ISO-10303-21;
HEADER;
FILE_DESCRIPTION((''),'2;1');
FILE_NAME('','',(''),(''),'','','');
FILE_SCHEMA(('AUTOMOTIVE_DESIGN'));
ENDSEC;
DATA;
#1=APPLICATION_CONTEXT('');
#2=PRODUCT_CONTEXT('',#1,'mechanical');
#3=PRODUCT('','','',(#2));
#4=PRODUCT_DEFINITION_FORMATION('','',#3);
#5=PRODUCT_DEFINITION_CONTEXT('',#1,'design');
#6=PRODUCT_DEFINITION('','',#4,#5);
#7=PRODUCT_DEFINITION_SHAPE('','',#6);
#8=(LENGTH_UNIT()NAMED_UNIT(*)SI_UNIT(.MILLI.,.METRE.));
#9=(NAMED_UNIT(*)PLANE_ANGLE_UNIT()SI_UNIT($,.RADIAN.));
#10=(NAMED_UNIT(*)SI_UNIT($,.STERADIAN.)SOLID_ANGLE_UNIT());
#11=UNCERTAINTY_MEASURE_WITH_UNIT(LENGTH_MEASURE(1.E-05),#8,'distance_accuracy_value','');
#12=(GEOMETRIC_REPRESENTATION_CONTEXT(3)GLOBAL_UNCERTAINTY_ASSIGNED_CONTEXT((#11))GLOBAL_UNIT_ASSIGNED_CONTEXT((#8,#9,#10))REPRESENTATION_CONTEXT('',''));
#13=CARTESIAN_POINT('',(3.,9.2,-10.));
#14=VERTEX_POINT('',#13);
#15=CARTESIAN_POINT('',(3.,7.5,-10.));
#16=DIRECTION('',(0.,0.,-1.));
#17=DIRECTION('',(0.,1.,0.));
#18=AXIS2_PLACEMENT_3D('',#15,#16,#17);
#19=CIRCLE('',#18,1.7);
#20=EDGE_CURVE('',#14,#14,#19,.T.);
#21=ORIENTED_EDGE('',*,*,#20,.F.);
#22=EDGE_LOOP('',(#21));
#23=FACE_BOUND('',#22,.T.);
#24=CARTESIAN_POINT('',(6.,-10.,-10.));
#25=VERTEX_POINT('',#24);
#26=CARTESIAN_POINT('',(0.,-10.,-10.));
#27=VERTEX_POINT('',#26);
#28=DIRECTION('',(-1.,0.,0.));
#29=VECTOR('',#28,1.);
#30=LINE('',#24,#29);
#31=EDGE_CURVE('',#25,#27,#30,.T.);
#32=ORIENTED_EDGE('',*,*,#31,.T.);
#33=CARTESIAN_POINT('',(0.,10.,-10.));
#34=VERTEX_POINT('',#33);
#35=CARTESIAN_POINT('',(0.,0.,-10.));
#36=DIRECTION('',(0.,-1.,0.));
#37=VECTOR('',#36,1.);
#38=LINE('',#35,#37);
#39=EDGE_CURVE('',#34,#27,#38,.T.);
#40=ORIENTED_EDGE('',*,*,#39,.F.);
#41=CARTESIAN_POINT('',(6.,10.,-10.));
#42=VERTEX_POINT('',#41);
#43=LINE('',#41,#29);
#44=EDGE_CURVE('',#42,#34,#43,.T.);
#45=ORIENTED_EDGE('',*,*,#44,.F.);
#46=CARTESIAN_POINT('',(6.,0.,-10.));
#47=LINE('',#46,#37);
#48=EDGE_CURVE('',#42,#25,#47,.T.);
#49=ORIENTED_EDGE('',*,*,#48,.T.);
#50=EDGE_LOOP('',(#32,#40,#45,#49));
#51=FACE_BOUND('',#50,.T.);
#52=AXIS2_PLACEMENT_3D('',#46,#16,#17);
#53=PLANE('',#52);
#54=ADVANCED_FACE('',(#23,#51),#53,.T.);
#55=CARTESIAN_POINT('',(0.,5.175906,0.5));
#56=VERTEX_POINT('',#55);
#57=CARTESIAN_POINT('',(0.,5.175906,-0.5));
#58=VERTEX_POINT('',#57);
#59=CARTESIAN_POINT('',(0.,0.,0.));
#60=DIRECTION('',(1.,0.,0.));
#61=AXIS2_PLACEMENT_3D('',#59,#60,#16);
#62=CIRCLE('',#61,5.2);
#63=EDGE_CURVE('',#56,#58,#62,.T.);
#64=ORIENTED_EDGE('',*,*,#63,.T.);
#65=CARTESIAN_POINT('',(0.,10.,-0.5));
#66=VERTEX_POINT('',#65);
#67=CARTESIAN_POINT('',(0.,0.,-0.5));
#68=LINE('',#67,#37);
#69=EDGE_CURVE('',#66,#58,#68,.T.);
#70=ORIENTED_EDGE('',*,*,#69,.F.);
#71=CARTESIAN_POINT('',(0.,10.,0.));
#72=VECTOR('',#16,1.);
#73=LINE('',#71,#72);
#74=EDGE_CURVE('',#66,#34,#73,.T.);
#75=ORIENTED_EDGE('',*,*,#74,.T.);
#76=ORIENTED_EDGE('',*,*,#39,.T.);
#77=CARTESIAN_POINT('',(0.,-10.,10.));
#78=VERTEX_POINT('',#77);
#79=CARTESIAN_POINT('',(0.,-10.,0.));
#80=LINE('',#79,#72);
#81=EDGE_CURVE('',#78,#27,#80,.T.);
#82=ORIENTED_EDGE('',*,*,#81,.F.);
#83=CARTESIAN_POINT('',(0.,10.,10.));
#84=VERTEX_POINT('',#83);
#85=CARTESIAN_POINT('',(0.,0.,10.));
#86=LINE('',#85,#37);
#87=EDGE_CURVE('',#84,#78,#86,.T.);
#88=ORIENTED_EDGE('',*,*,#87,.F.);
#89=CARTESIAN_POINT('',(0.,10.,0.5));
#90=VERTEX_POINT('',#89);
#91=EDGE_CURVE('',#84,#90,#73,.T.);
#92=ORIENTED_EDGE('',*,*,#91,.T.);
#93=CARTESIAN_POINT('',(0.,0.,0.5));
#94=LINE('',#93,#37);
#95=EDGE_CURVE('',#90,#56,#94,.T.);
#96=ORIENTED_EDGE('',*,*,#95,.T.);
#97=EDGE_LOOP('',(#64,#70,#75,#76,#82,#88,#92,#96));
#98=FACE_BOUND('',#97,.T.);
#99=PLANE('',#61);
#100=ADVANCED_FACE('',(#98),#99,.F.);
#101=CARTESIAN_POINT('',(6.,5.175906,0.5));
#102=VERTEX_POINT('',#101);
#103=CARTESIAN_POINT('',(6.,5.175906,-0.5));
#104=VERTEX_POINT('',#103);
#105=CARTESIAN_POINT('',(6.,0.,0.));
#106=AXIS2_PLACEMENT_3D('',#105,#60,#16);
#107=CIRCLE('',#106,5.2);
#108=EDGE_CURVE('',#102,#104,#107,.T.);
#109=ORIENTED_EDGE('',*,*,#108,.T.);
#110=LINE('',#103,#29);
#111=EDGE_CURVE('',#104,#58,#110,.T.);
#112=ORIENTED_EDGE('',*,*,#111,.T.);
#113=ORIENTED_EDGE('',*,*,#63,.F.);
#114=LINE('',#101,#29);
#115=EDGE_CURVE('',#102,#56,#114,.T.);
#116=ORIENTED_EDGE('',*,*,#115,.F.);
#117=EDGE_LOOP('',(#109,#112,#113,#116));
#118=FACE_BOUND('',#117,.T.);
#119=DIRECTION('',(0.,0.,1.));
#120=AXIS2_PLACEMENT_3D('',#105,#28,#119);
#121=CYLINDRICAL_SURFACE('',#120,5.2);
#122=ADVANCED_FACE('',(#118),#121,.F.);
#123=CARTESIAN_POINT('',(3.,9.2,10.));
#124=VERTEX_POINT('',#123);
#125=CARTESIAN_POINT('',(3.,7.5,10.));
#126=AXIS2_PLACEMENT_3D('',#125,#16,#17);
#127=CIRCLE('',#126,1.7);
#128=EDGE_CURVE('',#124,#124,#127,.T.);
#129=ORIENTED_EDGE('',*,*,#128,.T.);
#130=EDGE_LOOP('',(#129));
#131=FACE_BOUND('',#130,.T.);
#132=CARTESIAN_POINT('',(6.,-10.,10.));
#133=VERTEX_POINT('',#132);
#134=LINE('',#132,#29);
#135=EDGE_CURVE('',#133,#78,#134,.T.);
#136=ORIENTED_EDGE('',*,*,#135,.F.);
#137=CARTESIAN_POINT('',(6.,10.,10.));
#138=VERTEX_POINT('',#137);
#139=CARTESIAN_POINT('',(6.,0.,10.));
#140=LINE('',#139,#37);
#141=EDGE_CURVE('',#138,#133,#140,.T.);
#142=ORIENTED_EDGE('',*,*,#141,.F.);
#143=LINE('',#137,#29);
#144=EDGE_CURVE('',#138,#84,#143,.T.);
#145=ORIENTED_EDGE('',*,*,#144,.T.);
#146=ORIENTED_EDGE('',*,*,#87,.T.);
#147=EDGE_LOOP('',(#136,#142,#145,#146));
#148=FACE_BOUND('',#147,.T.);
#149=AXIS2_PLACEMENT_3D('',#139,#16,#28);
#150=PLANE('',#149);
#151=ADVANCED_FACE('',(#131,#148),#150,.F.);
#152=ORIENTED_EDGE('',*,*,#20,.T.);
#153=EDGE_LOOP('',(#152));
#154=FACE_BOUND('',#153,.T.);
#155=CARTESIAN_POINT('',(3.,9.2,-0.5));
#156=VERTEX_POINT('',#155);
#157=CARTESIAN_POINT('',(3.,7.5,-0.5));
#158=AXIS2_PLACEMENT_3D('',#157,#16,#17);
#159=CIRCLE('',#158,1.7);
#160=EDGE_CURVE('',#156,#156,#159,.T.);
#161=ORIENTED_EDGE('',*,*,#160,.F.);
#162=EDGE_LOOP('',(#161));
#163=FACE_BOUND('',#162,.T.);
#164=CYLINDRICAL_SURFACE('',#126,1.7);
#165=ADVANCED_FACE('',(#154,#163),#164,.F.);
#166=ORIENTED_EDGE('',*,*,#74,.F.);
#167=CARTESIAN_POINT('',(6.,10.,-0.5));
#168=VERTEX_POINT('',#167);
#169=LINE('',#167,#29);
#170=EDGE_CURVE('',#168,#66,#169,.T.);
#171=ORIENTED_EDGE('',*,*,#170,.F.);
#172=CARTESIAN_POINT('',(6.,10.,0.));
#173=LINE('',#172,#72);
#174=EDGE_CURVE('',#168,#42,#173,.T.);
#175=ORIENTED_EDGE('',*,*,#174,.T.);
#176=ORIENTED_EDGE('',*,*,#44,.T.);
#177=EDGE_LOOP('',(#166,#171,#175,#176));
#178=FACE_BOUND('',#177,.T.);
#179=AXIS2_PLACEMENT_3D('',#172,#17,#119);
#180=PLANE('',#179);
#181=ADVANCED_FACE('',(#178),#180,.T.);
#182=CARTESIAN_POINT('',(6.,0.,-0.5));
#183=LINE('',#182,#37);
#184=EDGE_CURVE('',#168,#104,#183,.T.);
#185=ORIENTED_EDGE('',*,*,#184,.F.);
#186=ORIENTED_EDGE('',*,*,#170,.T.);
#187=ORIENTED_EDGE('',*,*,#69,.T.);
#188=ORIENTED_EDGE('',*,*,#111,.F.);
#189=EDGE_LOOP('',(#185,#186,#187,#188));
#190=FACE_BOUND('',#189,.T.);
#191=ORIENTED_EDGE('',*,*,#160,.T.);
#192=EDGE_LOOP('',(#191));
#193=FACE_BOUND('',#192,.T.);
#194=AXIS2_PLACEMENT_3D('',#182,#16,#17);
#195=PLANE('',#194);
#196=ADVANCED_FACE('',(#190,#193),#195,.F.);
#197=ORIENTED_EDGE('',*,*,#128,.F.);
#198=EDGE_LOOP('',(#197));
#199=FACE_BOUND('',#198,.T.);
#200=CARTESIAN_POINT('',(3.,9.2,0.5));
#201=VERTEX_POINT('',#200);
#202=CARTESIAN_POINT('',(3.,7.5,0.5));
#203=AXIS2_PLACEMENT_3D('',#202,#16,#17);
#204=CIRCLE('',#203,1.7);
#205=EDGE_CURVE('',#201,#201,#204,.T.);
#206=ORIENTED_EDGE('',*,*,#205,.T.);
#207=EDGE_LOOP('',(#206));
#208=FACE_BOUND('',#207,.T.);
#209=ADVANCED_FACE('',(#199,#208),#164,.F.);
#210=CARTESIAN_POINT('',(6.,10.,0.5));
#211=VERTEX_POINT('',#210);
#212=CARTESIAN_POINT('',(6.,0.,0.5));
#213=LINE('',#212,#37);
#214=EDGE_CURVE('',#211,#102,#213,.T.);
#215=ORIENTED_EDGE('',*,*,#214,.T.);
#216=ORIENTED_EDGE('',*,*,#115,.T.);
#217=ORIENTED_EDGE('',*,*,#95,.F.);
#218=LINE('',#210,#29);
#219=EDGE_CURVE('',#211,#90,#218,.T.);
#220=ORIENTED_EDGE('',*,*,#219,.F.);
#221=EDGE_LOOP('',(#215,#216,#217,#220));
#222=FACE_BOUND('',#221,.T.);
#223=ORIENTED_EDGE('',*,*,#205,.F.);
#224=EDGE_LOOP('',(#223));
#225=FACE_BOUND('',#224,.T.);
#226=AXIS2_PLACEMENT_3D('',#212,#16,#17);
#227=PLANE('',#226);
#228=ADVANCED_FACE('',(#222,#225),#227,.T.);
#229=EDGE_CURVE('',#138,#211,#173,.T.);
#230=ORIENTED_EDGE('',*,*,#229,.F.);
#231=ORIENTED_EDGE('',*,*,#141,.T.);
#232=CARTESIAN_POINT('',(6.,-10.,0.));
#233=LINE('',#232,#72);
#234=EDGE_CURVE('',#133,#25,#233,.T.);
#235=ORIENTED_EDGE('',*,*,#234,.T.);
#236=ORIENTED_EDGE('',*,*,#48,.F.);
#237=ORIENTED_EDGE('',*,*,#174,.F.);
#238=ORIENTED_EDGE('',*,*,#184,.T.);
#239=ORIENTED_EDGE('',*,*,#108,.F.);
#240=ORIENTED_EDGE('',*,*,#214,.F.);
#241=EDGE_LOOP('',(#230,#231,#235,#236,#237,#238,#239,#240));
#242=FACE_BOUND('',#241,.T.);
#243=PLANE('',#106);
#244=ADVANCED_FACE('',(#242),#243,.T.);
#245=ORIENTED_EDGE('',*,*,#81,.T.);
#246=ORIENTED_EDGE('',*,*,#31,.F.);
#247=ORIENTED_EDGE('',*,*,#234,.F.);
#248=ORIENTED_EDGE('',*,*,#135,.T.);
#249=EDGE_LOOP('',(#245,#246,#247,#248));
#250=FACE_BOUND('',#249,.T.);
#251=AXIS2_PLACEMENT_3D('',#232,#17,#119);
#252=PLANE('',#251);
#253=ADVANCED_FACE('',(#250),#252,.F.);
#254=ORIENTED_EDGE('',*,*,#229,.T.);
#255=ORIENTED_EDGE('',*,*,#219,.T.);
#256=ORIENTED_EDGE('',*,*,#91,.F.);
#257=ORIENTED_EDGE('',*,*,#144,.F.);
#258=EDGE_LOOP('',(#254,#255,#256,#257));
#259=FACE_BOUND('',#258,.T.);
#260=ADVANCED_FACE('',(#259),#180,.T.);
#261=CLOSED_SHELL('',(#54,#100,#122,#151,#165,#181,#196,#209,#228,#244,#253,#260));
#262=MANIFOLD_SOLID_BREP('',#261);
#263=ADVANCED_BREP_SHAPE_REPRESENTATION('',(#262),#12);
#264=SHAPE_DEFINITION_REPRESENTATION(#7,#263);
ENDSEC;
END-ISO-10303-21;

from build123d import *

# Parameters (mm, degrees)
BOSS_EXTRUDE1_DEPTH = 6
SKETCH2_R           = 1.7
CUT_EXTRUDE1_DEPTH  = 24.151673806


with BuildPart() as part:
    # Sketch1 → Boss-Extrude1 (new body)
    with BuildSketch(Plane(origin=(0, 0, 0), x_dir=(0, 0, -1), z_dir=(1, 0, 0))):
        with BuildLine():
            Line((-0.5, 5.175905718), (-0.5, 10))
            Line((-0.5, 10), (-10, 10))
            Line((-10, 10), (-10, -10))
            Line((-10, -10), (10, -10))
            Line((10, -10), (10, 10))
            Line((10, 10), (0.5, 10))
            Line((0.5, 10), (0.5, 5.175905718))
            ThreePointArc((0.5, 5.175905718), (3.849675311, 3.495711659), (5.2, 0))
            ThreePointArc((5.2, 0), (-3.495711659, -3.849675311), (-0.5, 5.175905718))
        make_face()
    extrude(amount=BOSS_EXTRUDE1_DEPTH)

    # Sketch2 → Cut-Extrude1 (cut, through all)
    with BuildSketch(Plane(origin=(0, 0, -10), x_dir=(-1, 0, 0), z_dir=(0, 0, -1))):
        with Locations(Location((-3, 7.5, 0), (0, 0, 90))):
            Circle(SKETCH2_R)
    extrude(amount=-CUT_EXTRUDE1_DEPTH, mode=Mode.SUBTRACT)


solid = part.part
